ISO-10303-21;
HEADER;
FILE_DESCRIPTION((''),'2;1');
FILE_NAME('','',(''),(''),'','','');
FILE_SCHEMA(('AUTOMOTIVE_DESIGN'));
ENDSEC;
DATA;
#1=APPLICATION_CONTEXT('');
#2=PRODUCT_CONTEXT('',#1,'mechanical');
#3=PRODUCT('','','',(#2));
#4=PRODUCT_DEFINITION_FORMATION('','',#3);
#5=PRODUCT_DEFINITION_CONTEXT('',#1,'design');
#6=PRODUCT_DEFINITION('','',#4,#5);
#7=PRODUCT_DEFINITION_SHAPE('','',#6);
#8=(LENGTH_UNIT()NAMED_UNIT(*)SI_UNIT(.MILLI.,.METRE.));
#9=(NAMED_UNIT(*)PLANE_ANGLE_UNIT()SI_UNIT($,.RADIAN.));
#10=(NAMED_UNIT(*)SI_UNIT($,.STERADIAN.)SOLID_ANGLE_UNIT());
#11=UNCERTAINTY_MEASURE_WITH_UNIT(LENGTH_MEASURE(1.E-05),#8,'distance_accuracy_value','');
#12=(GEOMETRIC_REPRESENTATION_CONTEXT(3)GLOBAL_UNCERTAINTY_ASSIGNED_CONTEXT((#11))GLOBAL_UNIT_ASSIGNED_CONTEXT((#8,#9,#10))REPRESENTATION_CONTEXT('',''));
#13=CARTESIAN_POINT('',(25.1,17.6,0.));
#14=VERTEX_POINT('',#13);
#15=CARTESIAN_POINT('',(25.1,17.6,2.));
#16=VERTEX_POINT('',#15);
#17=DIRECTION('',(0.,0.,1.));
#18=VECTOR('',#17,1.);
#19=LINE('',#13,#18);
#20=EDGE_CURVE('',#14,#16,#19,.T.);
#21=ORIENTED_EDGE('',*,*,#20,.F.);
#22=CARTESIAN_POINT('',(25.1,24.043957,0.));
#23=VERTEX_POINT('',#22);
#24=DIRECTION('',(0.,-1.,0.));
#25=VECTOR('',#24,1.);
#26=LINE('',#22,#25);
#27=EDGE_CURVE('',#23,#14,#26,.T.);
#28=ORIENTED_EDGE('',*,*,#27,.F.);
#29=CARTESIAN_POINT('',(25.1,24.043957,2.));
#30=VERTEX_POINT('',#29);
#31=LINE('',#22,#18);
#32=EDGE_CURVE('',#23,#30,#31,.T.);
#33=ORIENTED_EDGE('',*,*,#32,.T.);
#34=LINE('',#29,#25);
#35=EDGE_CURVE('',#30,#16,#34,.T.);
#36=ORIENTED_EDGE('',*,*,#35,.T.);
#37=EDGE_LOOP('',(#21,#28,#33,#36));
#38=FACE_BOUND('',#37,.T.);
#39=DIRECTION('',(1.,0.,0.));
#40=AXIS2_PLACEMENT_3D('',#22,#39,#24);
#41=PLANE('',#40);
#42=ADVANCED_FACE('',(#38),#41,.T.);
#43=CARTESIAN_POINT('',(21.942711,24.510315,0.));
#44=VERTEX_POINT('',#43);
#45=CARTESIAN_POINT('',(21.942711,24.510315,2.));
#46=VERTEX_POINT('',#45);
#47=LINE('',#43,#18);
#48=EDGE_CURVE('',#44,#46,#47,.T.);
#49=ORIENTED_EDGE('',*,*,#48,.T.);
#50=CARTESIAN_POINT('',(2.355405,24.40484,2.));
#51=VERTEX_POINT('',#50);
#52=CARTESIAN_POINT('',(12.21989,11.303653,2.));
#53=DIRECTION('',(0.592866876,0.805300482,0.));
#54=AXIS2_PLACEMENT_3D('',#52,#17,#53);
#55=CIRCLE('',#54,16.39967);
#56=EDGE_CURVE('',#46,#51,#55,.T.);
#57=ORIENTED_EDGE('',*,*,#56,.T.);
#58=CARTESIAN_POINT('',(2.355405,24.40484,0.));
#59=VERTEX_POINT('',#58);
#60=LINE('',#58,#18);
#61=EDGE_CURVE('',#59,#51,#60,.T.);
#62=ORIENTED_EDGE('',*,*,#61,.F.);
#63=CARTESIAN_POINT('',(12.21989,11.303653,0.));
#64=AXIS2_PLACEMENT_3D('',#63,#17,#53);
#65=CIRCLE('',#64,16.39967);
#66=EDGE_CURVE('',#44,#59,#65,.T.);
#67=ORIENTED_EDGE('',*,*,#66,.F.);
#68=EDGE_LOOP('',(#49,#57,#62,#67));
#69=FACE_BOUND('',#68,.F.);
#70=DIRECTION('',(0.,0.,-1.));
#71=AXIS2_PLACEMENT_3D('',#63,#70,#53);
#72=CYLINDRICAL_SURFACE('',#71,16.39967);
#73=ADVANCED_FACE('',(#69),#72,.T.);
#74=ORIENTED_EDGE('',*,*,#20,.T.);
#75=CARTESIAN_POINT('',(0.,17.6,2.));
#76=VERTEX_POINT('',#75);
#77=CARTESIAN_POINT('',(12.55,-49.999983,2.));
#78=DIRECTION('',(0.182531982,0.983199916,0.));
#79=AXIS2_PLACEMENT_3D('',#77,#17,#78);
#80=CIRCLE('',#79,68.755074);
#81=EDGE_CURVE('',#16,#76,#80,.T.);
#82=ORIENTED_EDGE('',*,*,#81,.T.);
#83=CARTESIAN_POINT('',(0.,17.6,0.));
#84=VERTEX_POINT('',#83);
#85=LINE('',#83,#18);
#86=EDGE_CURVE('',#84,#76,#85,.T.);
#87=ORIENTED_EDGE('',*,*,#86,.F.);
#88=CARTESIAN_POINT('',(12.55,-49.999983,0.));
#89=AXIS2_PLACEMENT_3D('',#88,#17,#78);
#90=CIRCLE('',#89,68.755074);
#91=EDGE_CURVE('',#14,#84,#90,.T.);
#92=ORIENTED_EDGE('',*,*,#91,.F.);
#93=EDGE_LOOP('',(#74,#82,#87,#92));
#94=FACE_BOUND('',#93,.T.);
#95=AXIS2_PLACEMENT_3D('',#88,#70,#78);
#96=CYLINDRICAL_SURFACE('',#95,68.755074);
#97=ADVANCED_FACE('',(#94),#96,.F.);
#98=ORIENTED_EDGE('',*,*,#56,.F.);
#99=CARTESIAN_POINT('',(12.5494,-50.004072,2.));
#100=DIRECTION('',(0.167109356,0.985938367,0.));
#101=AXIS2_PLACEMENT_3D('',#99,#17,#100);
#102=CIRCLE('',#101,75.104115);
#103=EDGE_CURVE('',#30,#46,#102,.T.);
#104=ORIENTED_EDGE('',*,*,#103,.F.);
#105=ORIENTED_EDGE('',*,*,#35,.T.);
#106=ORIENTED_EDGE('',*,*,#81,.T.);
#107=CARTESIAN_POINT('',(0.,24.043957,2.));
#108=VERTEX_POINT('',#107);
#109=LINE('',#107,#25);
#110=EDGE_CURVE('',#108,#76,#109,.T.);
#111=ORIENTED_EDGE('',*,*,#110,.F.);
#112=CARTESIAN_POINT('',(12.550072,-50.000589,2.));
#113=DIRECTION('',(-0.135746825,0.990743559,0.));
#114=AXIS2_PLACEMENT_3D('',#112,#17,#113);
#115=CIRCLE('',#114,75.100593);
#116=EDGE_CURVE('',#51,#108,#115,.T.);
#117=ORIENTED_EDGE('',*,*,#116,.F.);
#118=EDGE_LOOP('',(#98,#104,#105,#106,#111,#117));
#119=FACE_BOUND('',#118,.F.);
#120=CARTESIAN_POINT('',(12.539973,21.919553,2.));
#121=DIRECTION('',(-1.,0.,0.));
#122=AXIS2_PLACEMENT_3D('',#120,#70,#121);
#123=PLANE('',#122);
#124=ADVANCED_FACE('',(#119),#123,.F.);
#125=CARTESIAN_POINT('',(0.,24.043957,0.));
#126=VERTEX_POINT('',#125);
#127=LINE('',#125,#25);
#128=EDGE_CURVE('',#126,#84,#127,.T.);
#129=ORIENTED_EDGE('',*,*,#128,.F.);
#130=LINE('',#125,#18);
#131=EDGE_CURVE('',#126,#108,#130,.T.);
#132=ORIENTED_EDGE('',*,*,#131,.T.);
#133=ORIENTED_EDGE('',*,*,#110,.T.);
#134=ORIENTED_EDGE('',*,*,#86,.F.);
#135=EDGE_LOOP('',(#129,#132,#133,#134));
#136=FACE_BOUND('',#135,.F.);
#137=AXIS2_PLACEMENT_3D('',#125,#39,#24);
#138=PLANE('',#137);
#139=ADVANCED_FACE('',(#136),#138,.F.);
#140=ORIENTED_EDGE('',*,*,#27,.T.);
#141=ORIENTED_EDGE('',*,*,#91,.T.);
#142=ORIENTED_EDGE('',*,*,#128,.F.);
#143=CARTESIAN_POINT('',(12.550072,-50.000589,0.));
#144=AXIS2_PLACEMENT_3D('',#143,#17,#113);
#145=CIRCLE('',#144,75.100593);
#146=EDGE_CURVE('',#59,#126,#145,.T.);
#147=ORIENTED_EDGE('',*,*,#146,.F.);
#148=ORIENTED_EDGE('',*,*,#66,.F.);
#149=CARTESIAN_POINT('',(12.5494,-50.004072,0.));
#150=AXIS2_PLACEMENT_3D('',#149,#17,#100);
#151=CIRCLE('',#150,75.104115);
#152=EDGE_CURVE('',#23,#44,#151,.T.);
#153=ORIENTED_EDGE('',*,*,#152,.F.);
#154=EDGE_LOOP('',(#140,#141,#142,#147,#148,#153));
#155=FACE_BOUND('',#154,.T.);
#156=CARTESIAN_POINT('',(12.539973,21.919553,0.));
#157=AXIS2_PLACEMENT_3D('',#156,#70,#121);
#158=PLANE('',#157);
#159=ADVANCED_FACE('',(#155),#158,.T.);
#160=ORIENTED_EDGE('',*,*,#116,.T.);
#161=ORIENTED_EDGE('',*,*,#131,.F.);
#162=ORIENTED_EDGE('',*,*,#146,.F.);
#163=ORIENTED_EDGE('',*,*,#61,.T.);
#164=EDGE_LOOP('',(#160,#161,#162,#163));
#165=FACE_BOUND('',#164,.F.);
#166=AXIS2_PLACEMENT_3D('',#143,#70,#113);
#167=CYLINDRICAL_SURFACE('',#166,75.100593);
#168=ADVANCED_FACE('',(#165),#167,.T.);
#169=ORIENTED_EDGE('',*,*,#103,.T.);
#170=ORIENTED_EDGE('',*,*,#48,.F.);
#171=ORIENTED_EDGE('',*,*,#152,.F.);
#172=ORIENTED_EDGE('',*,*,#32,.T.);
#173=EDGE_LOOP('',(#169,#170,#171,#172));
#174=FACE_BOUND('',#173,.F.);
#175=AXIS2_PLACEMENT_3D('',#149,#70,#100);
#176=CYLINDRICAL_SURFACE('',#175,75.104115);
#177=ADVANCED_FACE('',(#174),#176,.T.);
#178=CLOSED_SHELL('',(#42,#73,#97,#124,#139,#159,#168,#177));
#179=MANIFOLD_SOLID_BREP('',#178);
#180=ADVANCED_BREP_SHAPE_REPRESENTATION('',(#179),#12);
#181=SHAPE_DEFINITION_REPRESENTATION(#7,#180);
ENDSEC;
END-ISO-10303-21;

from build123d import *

# Parameters (mm, degrees)
PAD_DEPTH = 2


with BuildPart() as part:
    # Sketch → Pad (new body)
    with BuildSketch(Plane.XY):
        with BuildLine():
            ThreePointArc((25.1, 17.6), (12.55, 18.755091), (0, 17.6))
            Line((0, 24.043957), (0, 17.6))
            ThreePointArc((2.355405, 24.40484), (1.176271, 24.233741), (0, 24.043957))
            ThreePointArc((21.942711, 24.510315), (12.131582, 27.703085), (2.355405, 24.40484))
            ThreePointArc((25.1, 24.043957), (23.523833, 24.293909), (21.942711, 24.510315))
            Line((25.1, 24.043957), (25.1, 17.6))
        make_face()
    extrude(amount=PAD_DEPTH)


solid = part.part
